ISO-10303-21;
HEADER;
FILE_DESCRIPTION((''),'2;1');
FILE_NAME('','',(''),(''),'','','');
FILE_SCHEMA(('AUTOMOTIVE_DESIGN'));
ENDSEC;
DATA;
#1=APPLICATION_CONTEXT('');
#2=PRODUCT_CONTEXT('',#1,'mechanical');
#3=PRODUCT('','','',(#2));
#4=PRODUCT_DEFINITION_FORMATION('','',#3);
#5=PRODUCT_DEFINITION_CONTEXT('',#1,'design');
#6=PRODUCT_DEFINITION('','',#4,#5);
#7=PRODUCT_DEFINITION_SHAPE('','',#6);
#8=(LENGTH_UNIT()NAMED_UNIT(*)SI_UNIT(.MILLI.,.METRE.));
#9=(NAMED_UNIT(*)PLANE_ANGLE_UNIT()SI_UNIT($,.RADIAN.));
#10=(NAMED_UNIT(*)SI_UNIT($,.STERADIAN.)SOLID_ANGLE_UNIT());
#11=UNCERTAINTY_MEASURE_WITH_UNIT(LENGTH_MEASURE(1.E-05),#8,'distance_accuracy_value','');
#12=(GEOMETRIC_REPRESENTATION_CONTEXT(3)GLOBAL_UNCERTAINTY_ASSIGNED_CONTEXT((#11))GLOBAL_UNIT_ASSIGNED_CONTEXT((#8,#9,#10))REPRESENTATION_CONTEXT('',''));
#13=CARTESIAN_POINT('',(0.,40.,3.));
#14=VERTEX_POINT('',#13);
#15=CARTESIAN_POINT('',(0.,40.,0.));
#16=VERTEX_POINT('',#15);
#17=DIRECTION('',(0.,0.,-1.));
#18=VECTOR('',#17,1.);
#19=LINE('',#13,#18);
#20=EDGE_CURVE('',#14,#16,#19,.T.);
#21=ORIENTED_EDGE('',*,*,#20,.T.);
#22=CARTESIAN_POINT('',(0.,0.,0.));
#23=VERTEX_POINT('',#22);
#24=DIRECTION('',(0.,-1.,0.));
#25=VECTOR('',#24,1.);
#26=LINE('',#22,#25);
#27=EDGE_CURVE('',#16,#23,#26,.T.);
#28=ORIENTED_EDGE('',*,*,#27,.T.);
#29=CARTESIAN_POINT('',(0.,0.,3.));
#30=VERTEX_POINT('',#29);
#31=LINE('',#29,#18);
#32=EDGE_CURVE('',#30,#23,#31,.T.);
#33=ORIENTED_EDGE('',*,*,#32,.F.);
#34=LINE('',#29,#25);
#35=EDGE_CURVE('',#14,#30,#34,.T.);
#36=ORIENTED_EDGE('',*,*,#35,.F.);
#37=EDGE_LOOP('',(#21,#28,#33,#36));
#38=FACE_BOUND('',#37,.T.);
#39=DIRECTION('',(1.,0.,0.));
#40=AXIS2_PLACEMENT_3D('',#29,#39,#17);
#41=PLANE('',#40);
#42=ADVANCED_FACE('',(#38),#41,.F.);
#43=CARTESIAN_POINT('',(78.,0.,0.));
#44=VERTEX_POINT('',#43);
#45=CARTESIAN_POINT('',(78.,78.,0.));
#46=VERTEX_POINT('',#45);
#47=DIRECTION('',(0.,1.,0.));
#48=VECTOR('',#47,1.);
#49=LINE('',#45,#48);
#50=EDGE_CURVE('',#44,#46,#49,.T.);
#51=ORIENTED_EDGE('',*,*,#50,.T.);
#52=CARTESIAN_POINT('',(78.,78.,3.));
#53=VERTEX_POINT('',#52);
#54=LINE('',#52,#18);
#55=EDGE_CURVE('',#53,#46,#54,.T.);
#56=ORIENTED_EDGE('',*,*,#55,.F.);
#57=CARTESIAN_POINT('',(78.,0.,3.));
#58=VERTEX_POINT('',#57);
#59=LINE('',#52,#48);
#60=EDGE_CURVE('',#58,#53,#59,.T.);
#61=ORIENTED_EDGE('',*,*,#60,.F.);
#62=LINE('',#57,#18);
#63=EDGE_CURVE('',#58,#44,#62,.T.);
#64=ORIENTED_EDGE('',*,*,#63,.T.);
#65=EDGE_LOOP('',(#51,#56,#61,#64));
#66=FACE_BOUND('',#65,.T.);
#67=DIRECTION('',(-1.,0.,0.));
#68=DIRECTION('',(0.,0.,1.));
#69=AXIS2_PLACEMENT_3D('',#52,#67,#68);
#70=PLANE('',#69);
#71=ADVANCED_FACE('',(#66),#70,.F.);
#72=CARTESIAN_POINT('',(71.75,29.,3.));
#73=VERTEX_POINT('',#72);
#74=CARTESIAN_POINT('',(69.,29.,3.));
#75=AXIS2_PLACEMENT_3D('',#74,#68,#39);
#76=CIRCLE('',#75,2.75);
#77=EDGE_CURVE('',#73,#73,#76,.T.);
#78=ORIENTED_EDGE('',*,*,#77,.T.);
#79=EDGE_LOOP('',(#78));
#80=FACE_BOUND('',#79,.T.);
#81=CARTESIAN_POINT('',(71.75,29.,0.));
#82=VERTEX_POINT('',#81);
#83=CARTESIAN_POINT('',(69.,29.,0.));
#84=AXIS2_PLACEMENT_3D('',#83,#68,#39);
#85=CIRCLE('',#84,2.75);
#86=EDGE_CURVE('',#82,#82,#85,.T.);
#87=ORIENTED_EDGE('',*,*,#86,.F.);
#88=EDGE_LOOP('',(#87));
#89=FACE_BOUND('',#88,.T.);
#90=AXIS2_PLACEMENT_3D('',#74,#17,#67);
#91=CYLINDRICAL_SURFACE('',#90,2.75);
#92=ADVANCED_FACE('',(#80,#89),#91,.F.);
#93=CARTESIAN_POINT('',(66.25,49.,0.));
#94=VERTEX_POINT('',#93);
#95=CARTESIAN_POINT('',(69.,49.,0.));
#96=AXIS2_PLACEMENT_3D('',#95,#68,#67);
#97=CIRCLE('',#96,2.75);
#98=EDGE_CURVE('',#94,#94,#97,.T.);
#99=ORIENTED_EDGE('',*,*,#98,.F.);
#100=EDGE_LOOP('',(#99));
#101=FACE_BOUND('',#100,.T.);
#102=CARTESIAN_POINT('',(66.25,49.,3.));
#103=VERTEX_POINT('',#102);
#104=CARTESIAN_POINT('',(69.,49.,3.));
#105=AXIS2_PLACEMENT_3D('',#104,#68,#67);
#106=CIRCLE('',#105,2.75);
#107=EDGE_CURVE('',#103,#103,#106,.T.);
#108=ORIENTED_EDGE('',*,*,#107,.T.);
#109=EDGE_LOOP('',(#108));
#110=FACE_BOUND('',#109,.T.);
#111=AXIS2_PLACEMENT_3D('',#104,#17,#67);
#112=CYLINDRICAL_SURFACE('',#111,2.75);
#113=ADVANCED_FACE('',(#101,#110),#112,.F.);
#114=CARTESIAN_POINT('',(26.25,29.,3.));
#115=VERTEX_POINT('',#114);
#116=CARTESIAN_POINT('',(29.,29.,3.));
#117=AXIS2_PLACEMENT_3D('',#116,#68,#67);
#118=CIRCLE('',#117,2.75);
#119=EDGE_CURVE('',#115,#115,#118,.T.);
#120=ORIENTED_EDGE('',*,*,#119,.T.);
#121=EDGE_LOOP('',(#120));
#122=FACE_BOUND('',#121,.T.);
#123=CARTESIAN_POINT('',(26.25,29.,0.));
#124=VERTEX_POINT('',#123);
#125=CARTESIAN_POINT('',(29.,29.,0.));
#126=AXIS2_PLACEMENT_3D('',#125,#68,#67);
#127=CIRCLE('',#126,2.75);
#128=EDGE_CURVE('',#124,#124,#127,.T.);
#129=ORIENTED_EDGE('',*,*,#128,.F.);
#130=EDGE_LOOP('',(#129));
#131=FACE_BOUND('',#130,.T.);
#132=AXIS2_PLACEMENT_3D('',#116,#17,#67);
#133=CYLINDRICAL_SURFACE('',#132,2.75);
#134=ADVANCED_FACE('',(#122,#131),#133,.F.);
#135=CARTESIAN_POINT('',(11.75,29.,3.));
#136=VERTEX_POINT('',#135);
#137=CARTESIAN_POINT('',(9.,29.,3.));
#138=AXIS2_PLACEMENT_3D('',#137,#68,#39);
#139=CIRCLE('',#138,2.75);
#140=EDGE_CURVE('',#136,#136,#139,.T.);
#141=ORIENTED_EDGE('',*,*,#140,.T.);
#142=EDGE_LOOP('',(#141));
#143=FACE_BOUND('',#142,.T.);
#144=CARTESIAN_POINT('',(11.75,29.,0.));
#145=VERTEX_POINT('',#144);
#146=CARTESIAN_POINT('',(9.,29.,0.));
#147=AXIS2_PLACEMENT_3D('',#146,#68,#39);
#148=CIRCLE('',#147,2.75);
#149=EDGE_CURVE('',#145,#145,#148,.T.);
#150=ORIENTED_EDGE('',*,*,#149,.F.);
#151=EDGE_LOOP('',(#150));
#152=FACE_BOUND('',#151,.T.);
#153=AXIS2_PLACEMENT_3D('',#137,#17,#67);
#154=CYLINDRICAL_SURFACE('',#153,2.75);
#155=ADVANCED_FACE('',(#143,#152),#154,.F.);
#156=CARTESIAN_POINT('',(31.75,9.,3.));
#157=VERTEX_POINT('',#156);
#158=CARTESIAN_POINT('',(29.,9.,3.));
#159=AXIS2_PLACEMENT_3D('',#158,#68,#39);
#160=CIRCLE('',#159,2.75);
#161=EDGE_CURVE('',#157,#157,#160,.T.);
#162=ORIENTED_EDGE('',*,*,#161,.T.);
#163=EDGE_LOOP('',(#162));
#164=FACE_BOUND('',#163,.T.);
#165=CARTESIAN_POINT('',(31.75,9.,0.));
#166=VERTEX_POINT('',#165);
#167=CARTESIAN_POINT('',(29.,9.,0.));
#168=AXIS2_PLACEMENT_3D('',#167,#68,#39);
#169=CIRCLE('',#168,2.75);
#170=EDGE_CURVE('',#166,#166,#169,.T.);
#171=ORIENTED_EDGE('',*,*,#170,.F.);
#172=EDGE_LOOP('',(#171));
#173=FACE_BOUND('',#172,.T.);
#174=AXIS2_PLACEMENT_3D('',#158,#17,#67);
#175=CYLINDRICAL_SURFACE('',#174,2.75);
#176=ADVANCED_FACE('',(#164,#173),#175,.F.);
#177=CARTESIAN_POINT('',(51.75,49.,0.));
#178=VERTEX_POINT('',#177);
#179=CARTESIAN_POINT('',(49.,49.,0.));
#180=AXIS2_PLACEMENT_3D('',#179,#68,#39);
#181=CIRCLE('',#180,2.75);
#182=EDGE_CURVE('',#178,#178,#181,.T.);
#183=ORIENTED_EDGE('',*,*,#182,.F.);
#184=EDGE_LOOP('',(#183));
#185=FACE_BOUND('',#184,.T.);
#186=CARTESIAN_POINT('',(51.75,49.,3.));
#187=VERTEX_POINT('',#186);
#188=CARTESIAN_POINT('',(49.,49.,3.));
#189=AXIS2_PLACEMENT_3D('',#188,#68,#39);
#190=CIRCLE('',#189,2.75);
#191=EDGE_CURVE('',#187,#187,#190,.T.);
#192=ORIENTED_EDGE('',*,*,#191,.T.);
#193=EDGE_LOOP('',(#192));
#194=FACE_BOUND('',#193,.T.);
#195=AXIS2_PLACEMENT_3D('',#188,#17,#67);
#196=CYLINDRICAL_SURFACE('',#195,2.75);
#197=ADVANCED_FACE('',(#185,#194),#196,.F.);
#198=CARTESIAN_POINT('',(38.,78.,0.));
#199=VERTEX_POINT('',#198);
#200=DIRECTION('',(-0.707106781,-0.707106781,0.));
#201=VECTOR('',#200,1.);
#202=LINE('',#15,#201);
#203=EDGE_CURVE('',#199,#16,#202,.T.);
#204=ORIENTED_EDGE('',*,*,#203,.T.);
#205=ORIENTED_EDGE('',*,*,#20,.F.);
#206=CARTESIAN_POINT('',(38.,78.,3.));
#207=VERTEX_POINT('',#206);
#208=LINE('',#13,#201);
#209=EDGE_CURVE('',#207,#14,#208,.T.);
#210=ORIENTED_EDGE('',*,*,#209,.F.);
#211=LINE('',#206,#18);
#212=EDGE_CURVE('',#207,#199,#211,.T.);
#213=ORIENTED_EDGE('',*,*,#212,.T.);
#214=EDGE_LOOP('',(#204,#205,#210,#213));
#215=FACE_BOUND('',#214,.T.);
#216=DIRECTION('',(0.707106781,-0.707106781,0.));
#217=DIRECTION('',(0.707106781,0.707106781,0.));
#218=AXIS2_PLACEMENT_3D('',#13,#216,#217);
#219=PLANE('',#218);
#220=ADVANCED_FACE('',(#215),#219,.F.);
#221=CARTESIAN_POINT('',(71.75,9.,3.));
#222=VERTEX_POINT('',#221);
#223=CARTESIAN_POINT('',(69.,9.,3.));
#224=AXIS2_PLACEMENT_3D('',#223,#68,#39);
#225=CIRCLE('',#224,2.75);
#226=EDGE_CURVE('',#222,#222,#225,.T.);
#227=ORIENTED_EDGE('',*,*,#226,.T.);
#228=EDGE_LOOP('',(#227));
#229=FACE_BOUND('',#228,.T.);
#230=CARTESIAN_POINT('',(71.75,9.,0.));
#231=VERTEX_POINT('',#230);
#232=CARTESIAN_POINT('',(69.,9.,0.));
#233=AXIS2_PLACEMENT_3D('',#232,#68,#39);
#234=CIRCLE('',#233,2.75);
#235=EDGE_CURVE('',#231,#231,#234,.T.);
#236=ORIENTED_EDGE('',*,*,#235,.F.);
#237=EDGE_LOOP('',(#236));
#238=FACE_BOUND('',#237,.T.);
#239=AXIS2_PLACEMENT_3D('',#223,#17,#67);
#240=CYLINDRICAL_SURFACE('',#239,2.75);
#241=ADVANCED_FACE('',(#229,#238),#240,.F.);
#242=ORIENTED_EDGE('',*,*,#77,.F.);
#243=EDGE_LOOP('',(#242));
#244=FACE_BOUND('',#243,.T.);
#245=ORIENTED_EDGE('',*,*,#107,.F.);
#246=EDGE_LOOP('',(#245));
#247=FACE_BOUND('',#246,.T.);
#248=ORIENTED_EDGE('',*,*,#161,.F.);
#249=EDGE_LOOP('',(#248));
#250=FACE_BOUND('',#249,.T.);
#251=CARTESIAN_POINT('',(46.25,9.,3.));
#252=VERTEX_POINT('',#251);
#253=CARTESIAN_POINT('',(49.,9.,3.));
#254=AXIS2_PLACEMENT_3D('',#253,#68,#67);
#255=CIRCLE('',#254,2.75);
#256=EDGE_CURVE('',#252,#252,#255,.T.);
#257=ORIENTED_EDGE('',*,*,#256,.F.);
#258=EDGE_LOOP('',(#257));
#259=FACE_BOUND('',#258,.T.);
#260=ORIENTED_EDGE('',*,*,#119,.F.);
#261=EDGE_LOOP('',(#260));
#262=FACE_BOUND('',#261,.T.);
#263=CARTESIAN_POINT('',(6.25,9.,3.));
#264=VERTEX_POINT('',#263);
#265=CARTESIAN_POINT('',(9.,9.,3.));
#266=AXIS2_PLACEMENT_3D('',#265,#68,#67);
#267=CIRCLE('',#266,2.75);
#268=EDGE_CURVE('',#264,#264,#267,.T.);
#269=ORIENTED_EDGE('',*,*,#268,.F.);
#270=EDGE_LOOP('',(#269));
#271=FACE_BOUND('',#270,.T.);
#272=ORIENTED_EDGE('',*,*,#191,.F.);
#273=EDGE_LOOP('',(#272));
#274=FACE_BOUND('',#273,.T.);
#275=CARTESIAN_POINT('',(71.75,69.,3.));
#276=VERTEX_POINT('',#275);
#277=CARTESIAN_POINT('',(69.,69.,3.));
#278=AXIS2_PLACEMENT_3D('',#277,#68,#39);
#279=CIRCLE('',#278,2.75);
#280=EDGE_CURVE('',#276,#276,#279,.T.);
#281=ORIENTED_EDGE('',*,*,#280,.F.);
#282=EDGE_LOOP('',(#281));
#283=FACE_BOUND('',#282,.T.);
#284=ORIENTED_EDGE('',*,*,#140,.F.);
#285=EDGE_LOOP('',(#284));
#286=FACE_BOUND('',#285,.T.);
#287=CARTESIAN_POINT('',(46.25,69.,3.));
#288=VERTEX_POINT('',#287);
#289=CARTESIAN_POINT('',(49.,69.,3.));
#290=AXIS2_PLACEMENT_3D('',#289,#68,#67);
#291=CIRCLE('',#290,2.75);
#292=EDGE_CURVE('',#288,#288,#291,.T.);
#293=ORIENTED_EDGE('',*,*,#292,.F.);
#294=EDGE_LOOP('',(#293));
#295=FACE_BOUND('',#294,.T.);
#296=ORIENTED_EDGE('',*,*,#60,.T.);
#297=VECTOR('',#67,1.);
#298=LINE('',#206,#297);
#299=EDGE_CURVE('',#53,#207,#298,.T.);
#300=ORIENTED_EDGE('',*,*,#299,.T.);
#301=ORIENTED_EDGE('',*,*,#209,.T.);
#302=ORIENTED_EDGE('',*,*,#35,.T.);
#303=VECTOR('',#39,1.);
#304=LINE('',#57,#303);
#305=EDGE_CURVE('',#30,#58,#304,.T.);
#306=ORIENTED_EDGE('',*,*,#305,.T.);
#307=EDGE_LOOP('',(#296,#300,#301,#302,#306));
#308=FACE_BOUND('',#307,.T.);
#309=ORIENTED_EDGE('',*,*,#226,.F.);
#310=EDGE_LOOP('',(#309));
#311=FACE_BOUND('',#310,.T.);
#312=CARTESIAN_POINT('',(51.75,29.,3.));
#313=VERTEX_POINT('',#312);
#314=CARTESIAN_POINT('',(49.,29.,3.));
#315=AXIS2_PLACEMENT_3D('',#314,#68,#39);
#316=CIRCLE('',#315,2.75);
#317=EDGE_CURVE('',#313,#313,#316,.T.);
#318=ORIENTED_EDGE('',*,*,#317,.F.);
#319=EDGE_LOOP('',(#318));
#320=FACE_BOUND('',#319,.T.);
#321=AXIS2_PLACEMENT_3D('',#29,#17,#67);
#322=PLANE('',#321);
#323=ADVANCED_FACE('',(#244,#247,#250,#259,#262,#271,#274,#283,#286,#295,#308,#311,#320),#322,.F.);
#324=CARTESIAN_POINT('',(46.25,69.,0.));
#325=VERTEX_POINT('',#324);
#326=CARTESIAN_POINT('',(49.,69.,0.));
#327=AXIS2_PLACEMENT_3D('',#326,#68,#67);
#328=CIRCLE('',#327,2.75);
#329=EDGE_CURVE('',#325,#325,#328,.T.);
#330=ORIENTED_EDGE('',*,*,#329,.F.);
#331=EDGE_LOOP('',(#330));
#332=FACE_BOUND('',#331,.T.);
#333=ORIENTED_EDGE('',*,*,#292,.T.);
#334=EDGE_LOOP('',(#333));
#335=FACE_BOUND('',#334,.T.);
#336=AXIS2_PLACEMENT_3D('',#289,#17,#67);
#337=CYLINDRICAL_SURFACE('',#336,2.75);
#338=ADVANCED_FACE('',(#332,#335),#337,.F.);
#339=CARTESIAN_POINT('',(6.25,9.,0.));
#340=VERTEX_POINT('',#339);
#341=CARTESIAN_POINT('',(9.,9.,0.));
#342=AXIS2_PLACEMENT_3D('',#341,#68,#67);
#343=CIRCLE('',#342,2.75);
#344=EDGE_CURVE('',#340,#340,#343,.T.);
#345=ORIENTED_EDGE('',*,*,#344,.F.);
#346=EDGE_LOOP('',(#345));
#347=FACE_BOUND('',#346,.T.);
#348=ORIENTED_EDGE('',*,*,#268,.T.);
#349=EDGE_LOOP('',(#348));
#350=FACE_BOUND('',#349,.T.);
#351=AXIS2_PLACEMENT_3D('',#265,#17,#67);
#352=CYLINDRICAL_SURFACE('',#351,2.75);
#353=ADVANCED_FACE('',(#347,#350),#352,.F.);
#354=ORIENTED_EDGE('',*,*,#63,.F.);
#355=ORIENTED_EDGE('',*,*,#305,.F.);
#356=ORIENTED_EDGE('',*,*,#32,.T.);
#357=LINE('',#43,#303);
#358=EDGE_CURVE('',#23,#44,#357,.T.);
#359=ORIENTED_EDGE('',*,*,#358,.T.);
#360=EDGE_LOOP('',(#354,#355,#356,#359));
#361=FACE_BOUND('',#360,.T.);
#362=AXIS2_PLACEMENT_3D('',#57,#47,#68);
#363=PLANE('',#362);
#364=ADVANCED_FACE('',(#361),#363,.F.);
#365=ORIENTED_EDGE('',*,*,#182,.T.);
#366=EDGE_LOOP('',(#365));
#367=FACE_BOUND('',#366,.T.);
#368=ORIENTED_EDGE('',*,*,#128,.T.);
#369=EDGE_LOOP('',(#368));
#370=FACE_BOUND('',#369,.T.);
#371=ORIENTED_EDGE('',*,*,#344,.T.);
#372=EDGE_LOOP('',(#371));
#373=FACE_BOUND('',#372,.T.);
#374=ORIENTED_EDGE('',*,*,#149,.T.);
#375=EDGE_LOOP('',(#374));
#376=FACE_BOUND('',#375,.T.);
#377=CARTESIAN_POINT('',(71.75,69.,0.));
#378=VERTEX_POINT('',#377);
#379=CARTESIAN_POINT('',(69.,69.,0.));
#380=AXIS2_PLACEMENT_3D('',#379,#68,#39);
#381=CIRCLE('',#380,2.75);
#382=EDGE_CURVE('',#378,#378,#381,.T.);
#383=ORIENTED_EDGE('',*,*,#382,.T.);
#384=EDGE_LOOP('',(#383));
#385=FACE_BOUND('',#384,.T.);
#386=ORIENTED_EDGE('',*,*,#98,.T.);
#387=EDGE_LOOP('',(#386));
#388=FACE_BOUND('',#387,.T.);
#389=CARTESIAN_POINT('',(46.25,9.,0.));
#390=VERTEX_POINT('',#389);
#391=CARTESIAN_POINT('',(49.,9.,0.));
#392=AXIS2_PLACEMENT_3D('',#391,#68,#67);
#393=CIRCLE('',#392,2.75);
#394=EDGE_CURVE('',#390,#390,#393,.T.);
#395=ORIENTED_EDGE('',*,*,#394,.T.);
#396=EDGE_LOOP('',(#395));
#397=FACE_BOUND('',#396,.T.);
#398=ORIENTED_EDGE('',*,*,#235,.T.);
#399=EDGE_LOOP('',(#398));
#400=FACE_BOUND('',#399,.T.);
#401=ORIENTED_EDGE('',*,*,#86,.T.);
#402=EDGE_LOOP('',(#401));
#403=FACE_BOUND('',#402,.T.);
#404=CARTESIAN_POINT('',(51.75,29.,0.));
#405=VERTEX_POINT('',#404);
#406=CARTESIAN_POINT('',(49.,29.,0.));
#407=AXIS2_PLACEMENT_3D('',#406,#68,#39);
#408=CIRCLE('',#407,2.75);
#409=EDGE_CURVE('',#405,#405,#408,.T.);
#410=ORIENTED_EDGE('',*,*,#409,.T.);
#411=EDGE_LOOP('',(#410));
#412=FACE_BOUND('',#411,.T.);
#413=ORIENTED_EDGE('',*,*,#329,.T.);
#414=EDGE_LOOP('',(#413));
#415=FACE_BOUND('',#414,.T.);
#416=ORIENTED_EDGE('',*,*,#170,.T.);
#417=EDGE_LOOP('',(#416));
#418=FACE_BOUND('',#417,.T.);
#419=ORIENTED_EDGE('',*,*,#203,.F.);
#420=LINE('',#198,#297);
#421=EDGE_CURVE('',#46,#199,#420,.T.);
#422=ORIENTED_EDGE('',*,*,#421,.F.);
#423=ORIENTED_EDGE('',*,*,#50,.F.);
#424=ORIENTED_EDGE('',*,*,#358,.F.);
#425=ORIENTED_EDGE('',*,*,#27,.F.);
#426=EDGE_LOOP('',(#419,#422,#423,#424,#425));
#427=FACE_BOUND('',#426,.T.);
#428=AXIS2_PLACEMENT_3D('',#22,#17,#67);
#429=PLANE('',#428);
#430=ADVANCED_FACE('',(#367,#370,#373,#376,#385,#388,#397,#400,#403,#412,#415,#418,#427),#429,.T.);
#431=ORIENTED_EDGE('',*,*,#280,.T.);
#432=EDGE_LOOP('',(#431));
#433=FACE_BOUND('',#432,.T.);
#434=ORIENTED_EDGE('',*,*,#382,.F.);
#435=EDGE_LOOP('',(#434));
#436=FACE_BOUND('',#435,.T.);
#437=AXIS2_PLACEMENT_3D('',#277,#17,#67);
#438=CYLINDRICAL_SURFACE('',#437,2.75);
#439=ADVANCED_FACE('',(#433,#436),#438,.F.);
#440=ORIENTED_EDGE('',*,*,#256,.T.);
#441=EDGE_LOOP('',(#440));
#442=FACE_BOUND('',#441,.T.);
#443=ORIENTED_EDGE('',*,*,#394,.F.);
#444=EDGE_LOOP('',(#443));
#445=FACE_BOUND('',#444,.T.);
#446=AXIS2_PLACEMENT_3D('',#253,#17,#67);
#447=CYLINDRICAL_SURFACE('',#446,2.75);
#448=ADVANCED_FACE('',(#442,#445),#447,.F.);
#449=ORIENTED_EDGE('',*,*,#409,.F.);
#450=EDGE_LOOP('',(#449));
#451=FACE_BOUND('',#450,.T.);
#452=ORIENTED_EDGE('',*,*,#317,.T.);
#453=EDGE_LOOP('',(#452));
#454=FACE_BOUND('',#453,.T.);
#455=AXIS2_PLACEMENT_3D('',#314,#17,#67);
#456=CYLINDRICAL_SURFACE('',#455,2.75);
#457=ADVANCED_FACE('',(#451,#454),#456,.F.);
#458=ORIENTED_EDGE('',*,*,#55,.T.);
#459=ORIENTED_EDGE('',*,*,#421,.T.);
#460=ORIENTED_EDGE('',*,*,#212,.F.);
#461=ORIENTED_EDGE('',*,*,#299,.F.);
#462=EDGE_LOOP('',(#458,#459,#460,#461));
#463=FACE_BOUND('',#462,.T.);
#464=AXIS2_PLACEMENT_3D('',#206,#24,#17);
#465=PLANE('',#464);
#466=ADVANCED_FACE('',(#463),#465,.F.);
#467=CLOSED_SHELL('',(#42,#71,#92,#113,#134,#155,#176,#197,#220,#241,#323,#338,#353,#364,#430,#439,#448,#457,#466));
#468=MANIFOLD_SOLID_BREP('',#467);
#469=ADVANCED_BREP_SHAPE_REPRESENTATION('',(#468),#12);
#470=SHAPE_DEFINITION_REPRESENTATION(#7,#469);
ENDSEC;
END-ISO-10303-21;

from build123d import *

# Parameters (mm, degrees)
ESQUISSE1_R        = 2.75
BOSS_EXTRU_1_DEPTH = 3


with BuildPart() as part:
    # Esquisse1 → Boss.-Extru.1 (new body)
    with BuildSketch(Plane.XY):
        Polygon((0, 0), (0, 40), (38, 78), (78, 78), (78, 0), align=None)
        with Locations((9, 29)):
            Circle(ESQUISSE1_R, mode=Mode.SUBTRACT)
        with Locations(Location((9, 9, 0), (0, 0, 180))):
            Circle(ESQUISSE1_R, mode=Mode.SUBTRACT)
        with Locations((29, 9)):
            Circle(ESQUISSE1_R, mode=Mode.SUBTRACT)
        with Locations(Location((29, 29, 0), (0, 0, 180))):
            Circle(ESQUISSE1_R, mode=Mode.SUBTRACT)
        with Locations((49, 29)):
            Circle(ESQUISSE1_R, mode=Mode.SUBTRACT)
        with Locations(Location((49, 9, 0), (0, 0, 180))):
            Circle(ESQUISSE1_R, mode=Mode.SUBTRACT)
        with Locations((69, 9)):
            Circle(ESQUISSE1_R, mode=Mode.SUBTRACT)
        with Locations((69, 29)):
            Circle(ESQUISSE1_R, mode=Mode.SUBTRACT)
        with Locations((49, 49)):
            Circle(ESQUISSE1_R, mode=Mode.SUBTRACT)
        with Locations(Location((69, 49, 0), (0, 0, 180))):
            Circle(ESQUISSE1_R, mode=Mode.SUBTRACT)
        with Locations((69, 69)):
            Circle(ESQUISSE1_R, mode=Mode.SUBTRACT)
        with Locations(Location((49, 69, 0), (0, 0, 180))):
            Circle(ESQUISSE1_R, mode=Mode.SUBTRACT)
    extrude(amount=BOSS_EXTRU_1_DEPTH)


solid = part.part
